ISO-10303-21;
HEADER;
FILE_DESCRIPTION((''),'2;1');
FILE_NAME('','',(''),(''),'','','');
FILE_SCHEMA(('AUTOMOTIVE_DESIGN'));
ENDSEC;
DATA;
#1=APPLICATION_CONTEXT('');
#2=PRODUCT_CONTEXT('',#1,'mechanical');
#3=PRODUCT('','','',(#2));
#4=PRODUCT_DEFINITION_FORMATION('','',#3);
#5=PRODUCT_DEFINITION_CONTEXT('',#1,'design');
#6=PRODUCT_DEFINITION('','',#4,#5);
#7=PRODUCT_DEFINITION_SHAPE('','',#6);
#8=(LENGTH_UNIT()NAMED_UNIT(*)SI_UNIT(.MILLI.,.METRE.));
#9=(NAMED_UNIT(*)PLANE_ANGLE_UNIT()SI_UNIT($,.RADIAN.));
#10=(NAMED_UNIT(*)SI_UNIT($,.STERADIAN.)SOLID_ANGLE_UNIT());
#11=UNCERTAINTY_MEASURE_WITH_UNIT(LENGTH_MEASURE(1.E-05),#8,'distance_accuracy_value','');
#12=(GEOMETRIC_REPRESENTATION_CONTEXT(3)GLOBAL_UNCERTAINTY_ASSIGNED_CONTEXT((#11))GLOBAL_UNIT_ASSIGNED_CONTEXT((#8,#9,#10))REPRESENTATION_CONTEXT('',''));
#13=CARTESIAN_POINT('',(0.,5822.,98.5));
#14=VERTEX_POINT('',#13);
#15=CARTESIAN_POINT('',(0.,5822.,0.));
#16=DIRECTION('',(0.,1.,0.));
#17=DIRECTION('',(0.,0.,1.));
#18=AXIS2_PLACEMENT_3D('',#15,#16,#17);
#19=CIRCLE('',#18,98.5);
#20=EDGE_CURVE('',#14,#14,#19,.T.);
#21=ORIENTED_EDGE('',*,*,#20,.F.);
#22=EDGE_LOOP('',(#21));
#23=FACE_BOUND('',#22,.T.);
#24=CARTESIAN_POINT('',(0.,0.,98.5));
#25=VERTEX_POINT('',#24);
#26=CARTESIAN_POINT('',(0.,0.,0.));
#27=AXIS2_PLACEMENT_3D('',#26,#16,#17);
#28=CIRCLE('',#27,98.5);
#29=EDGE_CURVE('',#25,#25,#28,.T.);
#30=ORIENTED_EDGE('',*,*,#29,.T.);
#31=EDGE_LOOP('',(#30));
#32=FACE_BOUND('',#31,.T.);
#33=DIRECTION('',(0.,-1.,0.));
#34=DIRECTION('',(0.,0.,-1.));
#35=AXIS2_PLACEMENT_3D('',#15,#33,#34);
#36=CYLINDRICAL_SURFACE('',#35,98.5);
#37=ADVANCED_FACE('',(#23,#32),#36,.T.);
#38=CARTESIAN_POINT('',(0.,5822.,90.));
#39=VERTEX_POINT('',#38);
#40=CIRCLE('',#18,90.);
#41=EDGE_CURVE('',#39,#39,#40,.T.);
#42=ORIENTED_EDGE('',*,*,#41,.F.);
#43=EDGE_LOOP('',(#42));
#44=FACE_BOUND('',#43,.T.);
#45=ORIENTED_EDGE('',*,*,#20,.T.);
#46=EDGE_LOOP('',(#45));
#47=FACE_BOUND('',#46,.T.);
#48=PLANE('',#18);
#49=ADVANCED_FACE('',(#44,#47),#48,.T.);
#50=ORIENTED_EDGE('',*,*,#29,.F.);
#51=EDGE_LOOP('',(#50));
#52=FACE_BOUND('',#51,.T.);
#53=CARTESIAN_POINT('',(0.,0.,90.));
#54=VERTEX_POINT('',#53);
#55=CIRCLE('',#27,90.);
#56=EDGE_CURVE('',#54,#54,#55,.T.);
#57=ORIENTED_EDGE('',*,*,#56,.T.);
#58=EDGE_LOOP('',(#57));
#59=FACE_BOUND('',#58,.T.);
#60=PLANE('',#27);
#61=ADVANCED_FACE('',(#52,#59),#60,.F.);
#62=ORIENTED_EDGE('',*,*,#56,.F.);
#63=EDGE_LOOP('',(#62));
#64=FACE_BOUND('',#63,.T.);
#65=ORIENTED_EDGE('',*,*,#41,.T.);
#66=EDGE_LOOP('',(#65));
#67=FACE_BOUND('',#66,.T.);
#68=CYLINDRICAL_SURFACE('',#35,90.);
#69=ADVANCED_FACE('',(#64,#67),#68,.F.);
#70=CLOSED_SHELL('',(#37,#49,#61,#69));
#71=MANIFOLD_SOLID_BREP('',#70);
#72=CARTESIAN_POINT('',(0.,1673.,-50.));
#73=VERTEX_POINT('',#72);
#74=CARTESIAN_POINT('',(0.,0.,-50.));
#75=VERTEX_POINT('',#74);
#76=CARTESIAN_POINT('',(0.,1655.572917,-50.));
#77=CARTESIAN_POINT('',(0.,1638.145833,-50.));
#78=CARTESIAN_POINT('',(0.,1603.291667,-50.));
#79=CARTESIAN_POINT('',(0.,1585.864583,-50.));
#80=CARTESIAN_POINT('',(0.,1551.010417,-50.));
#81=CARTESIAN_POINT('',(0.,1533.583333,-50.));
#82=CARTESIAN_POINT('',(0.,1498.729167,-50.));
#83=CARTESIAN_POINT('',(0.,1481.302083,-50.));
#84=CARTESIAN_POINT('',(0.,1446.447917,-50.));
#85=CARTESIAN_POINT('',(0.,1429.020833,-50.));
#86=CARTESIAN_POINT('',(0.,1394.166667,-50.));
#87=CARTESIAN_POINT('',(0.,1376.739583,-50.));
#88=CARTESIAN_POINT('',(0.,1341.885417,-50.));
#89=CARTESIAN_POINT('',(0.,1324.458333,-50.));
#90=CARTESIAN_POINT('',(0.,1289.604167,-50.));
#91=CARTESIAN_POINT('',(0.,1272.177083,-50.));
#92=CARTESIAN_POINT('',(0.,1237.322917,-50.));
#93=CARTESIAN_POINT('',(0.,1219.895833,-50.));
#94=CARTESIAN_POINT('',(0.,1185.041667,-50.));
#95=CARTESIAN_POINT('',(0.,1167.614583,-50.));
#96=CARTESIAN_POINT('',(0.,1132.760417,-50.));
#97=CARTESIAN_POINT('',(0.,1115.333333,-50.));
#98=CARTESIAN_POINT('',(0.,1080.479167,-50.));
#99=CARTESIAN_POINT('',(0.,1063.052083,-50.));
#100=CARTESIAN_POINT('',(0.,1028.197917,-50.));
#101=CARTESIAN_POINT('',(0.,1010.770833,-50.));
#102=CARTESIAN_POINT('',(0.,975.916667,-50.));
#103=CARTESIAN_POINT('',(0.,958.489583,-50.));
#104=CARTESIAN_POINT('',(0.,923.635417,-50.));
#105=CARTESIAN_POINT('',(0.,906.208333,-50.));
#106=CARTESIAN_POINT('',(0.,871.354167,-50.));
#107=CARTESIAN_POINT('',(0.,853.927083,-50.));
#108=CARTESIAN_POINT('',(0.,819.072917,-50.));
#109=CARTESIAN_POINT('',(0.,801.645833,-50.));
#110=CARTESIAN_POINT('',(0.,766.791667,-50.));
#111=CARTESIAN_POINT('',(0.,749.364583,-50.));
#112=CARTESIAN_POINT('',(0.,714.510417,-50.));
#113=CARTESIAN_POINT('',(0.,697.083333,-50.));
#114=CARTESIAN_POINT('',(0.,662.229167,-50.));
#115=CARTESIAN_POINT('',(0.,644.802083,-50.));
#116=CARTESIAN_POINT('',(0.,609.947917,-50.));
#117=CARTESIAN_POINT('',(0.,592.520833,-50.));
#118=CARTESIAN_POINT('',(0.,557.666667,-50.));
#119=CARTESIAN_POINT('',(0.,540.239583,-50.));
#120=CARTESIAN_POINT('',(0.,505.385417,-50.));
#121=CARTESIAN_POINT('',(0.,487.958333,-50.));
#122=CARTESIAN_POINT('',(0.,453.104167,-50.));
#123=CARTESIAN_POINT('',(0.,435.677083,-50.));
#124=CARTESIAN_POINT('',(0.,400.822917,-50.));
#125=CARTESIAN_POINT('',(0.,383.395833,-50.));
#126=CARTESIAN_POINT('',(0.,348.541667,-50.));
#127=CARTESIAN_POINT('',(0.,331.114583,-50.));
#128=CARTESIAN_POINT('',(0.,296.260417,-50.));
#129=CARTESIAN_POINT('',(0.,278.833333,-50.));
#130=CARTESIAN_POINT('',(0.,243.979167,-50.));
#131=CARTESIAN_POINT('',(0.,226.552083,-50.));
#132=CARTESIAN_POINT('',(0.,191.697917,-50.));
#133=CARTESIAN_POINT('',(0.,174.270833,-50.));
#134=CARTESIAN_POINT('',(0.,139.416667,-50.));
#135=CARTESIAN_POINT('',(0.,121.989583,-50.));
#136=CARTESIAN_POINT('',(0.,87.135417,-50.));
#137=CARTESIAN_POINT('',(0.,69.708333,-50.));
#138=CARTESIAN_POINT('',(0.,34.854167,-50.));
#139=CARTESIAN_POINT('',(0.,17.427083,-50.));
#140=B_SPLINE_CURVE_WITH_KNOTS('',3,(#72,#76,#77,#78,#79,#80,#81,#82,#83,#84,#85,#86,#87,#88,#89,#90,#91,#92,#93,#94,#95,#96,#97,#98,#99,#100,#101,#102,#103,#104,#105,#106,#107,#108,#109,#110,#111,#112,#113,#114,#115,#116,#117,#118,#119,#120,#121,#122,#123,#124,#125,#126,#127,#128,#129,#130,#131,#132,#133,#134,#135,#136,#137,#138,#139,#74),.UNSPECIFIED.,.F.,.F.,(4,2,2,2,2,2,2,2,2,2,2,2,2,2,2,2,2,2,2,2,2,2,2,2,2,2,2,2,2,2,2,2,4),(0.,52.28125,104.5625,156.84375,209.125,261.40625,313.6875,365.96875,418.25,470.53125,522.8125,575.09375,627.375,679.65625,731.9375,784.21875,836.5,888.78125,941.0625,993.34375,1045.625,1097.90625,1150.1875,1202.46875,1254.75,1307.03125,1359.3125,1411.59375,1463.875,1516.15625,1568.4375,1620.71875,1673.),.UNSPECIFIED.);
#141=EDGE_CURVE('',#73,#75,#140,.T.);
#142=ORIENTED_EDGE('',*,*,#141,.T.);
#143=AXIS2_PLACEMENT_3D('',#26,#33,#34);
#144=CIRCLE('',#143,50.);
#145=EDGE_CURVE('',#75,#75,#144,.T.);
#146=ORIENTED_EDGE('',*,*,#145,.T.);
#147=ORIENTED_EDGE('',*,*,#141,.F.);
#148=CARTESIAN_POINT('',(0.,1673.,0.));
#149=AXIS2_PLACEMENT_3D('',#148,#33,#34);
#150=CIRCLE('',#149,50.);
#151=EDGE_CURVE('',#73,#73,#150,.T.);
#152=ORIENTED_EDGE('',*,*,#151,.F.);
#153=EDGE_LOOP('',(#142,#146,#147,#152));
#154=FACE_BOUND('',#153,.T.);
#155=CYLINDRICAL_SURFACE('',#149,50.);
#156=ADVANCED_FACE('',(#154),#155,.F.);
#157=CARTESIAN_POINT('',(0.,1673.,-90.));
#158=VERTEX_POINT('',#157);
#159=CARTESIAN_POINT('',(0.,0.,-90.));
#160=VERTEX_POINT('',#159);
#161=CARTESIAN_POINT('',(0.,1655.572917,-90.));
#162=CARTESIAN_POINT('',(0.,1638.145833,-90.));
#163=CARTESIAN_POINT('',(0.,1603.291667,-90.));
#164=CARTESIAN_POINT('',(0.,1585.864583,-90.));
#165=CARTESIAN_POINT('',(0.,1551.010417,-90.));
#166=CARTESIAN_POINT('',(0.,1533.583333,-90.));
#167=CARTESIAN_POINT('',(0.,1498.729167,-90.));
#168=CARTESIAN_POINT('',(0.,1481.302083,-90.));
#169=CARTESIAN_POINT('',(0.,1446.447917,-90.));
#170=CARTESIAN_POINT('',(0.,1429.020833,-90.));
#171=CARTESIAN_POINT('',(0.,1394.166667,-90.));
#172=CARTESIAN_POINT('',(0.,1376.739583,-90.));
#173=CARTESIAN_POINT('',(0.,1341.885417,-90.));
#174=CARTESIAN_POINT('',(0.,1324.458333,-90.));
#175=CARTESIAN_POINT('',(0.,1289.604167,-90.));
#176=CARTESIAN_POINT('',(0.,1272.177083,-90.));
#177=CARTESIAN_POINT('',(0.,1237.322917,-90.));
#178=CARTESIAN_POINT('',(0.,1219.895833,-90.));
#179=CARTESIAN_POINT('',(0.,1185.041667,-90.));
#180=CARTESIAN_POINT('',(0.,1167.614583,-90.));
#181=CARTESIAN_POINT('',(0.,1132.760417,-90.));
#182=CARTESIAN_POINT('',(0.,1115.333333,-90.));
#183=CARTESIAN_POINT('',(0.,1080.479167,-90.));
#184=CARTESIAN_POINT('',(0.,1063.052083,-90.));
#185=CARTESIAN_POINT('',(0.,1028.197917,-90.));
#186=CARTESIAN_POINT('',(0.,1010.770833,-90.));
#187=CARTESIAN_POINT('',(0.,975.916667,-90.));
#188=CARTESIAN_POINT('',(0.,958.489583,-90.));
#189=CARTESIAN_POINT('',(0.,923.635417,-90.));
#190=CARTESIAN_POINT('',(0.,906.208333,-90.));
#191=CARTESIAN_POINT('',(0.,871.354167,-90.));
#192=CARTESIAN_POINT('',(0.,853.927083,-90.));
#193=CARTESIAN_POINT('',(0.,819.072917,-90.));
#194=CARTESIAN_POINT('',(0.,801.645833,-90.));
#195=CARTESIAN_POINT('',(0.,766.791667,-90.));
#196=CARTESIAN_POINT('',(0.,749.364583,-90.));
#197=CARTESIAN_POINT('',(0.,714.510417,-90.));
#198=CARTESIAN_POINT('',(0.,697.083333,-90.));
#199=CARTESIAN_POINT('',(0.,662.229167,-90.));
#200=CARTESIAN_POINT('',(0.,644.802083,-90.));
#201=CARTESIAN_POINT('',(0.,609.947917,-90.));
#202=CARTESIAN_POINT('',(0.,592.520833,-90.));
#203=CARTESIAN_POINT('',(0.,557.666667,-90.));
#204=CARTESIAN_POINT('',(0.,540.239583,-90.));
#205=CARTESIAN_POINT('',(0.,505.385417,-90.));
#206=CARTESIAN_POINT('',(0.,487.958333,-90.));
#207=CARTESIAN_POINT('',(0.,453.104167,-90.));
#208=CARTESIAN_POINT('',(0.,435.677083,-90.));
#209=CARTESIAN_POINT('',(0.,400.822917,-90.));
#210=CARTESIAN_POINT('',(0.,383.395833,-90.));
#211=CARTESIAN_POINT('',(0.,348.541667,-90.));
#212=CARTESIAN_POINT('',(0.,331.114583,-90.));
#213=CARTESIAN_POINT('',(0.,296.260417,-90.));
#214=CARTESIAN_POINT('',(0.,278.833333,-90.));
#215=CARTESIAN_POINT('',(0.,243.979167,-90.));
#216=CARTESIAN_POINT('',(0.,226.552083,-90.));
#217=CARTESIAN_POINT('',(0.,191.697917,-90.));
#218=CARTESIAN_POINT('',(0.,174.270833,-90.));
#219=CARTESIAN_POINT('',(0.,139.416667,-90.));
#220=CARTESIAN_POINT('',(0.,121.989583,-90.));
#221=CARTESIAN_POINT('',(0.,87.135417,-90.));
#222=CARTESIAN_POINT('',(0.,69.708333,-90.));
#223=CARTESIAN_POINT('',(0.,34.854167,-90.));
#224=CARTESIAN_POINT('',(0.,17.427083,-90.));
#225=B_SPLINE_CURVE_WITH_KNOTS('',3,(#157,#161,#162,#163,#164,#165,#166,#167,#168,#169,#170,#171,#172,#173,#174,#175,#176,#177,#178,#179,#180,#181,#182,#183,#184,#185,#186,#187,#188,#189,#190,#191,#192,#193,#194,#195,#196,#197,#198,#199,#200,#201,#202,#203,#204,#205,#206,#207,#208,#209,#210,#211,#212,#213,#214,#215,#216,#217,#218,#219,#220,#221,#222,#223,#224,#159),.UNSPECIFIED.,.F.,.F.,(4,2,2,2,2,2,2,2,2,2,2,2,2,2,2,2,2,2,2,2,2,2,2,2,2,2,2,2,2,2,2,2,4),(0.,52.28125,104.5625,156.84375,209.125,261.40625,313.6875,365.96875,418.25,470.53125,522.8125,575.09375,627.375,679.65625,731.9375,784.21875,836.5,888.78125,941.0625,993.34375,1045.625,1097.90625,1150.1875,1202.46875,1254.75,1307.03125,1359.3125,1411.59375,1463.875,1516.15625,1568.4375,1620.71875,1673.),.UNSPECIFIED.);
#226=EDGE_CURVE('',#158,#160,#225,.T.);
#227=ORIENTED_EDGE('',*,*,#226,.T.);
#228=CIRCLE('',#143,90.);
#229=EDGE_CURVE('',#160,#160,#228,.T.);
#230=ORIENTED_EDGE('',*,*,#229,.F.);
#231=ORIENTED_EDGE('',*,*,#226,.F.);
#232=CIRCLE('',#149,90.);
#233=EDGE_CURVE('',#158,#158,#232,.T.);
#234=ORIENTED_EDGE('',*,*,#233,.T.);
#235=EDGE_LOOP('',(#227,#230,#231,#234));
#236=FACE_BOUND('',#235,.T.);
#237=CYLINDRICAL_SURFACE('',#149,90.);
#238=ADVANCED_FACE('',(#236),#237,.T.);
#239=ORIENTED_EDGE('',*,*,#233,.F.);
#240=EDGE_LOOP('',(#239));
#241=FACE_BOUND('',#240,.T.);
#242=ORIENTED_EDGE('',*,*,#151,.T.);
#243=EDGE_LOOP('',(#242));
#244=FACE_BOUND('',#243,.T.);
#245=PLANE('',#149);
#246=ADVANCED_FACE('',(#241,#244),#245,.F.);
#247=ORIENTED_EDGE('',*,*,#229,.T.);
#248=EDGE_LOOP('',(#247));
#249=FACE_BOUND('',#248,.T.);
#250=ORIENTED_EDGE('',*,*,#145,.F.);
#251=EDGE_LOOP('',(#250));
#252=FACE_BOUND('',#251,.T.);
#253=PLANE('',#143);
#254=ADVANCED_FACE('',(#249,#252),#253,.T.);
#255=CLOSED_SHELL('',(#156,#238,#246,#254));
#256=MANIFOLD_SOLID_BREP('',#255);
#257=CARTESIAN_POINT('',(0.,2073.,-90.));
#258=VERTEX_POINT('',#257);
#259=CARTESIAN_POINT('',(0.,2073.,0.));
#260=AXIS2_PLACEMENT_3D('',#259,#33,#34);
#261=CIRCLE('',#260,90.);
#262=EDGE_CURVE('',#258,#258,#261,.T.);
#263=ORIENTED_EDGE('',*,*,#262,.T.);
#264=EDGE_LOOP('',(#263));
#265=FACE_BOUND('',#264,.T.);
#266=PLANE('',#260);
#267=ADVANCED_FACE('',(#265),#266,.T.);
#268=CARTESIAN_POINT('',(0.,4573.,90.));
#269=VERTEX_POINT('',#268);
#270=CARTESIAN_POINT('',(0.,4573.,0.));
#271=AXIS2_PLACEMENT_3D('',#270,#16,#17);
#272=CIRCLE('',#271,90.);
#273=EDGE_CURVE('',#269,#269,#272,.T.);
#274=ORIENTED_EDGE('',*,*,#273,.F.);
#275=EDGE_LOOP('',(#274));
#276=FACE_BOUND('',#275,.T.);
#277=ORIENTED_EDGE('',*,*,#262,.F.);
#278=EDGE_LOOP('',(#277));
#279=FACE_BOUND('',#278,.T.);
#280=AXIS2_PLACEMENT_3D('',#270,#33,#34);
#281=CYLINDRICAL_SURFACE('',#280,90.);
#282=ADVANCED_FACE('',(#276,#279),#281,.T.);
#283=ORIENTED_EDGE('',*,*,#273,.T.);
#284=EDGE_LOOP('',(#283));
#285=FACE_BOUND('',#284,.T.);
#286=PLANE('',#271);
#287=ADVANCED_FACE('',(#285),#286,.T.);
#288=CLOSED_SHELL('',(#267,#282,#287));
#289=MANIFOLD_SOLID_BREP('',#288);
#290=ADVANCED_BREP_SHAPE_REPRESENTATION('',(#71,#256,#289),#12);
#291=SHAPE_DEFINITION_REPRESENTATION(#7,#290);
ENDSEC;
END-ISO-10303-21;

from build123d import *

# Parameters (mm, degrees)
SKETCH1_R          = 98.5
SKETCH1_R_2        = 90
ROCKET_SHELL_DEPTH = 5822
SKETCH2_R          = 90
SKETCH2_R_2        = 50
SOLID_FUEL_DEPTH   = 1673
SKETCH3_R          = 90
LIQUID_FUEL_DEPTH  = 2900
SKETCH4_R          = 90
CUT_CORE_OUT_DEPTH = 400


with BuildPart() as part:
    # Sketch1 → Rocket Shell (new body)
    with BuildSketch(Plane(origin=(0, 0, 0), x_dir=(1, 0, 0), z_dir=(0, 1, 0))):
        with Locations(Location((0, 0, 0), (0, 0, 270))):
            Circle(SKETCH1_R)
        with Locations(Location((0, 0, 0), (0, 0, 270))):
            Circle(SKETCH1_R_2, mode=Mode.SUBTRACT)
    extrude(amount=ROCKET_SHELL_DEPTH)


with BuildPart() as body_2:
    # Sketch2 → Solid Fuel (new body)
    with BuildSketch(Plane.XZ):
        with Locations(Location((0, 0, 0), (0, 0, 270))):
            Circle(SKETCH2_R)
        with Locations(Location((0, 0, 0), (0, 0, 270))):
            Circle(SKETCH2_R_2, mode=Mode.SUBTRACT)
    extrude(amount=-SOLID_FUEL_DEPTH)


with BuildPart() as body_3:
    # Sketch3 → Liquid Fuel (new body)
    with BuildSketch(Plane(origin=(0, 1673, 0), x_dir=(1, 0, 0), z_dir=(0, 1, 0))):
        with Locations(Location((0, 0, 0), (0, 0, 270))):
            Circle(SKETCH3_R)
    extrude(amount=LIQUID_FUEL_DEPTH)

    # Sketch4 → Cut Core Out (cut)
    with BuildSketch(Plane.XZ.offset(-1673)):
        with Locations(Location((0, 0, 0), (0, 0, 270))):
            Circle(SKETCH4_R)
    extrude(amount=-CUT_CORE_OUT_DEPTH, mode=Mode.SUBTRACT)


solid = Compound([part.part, body_2.part, body_3.part])
